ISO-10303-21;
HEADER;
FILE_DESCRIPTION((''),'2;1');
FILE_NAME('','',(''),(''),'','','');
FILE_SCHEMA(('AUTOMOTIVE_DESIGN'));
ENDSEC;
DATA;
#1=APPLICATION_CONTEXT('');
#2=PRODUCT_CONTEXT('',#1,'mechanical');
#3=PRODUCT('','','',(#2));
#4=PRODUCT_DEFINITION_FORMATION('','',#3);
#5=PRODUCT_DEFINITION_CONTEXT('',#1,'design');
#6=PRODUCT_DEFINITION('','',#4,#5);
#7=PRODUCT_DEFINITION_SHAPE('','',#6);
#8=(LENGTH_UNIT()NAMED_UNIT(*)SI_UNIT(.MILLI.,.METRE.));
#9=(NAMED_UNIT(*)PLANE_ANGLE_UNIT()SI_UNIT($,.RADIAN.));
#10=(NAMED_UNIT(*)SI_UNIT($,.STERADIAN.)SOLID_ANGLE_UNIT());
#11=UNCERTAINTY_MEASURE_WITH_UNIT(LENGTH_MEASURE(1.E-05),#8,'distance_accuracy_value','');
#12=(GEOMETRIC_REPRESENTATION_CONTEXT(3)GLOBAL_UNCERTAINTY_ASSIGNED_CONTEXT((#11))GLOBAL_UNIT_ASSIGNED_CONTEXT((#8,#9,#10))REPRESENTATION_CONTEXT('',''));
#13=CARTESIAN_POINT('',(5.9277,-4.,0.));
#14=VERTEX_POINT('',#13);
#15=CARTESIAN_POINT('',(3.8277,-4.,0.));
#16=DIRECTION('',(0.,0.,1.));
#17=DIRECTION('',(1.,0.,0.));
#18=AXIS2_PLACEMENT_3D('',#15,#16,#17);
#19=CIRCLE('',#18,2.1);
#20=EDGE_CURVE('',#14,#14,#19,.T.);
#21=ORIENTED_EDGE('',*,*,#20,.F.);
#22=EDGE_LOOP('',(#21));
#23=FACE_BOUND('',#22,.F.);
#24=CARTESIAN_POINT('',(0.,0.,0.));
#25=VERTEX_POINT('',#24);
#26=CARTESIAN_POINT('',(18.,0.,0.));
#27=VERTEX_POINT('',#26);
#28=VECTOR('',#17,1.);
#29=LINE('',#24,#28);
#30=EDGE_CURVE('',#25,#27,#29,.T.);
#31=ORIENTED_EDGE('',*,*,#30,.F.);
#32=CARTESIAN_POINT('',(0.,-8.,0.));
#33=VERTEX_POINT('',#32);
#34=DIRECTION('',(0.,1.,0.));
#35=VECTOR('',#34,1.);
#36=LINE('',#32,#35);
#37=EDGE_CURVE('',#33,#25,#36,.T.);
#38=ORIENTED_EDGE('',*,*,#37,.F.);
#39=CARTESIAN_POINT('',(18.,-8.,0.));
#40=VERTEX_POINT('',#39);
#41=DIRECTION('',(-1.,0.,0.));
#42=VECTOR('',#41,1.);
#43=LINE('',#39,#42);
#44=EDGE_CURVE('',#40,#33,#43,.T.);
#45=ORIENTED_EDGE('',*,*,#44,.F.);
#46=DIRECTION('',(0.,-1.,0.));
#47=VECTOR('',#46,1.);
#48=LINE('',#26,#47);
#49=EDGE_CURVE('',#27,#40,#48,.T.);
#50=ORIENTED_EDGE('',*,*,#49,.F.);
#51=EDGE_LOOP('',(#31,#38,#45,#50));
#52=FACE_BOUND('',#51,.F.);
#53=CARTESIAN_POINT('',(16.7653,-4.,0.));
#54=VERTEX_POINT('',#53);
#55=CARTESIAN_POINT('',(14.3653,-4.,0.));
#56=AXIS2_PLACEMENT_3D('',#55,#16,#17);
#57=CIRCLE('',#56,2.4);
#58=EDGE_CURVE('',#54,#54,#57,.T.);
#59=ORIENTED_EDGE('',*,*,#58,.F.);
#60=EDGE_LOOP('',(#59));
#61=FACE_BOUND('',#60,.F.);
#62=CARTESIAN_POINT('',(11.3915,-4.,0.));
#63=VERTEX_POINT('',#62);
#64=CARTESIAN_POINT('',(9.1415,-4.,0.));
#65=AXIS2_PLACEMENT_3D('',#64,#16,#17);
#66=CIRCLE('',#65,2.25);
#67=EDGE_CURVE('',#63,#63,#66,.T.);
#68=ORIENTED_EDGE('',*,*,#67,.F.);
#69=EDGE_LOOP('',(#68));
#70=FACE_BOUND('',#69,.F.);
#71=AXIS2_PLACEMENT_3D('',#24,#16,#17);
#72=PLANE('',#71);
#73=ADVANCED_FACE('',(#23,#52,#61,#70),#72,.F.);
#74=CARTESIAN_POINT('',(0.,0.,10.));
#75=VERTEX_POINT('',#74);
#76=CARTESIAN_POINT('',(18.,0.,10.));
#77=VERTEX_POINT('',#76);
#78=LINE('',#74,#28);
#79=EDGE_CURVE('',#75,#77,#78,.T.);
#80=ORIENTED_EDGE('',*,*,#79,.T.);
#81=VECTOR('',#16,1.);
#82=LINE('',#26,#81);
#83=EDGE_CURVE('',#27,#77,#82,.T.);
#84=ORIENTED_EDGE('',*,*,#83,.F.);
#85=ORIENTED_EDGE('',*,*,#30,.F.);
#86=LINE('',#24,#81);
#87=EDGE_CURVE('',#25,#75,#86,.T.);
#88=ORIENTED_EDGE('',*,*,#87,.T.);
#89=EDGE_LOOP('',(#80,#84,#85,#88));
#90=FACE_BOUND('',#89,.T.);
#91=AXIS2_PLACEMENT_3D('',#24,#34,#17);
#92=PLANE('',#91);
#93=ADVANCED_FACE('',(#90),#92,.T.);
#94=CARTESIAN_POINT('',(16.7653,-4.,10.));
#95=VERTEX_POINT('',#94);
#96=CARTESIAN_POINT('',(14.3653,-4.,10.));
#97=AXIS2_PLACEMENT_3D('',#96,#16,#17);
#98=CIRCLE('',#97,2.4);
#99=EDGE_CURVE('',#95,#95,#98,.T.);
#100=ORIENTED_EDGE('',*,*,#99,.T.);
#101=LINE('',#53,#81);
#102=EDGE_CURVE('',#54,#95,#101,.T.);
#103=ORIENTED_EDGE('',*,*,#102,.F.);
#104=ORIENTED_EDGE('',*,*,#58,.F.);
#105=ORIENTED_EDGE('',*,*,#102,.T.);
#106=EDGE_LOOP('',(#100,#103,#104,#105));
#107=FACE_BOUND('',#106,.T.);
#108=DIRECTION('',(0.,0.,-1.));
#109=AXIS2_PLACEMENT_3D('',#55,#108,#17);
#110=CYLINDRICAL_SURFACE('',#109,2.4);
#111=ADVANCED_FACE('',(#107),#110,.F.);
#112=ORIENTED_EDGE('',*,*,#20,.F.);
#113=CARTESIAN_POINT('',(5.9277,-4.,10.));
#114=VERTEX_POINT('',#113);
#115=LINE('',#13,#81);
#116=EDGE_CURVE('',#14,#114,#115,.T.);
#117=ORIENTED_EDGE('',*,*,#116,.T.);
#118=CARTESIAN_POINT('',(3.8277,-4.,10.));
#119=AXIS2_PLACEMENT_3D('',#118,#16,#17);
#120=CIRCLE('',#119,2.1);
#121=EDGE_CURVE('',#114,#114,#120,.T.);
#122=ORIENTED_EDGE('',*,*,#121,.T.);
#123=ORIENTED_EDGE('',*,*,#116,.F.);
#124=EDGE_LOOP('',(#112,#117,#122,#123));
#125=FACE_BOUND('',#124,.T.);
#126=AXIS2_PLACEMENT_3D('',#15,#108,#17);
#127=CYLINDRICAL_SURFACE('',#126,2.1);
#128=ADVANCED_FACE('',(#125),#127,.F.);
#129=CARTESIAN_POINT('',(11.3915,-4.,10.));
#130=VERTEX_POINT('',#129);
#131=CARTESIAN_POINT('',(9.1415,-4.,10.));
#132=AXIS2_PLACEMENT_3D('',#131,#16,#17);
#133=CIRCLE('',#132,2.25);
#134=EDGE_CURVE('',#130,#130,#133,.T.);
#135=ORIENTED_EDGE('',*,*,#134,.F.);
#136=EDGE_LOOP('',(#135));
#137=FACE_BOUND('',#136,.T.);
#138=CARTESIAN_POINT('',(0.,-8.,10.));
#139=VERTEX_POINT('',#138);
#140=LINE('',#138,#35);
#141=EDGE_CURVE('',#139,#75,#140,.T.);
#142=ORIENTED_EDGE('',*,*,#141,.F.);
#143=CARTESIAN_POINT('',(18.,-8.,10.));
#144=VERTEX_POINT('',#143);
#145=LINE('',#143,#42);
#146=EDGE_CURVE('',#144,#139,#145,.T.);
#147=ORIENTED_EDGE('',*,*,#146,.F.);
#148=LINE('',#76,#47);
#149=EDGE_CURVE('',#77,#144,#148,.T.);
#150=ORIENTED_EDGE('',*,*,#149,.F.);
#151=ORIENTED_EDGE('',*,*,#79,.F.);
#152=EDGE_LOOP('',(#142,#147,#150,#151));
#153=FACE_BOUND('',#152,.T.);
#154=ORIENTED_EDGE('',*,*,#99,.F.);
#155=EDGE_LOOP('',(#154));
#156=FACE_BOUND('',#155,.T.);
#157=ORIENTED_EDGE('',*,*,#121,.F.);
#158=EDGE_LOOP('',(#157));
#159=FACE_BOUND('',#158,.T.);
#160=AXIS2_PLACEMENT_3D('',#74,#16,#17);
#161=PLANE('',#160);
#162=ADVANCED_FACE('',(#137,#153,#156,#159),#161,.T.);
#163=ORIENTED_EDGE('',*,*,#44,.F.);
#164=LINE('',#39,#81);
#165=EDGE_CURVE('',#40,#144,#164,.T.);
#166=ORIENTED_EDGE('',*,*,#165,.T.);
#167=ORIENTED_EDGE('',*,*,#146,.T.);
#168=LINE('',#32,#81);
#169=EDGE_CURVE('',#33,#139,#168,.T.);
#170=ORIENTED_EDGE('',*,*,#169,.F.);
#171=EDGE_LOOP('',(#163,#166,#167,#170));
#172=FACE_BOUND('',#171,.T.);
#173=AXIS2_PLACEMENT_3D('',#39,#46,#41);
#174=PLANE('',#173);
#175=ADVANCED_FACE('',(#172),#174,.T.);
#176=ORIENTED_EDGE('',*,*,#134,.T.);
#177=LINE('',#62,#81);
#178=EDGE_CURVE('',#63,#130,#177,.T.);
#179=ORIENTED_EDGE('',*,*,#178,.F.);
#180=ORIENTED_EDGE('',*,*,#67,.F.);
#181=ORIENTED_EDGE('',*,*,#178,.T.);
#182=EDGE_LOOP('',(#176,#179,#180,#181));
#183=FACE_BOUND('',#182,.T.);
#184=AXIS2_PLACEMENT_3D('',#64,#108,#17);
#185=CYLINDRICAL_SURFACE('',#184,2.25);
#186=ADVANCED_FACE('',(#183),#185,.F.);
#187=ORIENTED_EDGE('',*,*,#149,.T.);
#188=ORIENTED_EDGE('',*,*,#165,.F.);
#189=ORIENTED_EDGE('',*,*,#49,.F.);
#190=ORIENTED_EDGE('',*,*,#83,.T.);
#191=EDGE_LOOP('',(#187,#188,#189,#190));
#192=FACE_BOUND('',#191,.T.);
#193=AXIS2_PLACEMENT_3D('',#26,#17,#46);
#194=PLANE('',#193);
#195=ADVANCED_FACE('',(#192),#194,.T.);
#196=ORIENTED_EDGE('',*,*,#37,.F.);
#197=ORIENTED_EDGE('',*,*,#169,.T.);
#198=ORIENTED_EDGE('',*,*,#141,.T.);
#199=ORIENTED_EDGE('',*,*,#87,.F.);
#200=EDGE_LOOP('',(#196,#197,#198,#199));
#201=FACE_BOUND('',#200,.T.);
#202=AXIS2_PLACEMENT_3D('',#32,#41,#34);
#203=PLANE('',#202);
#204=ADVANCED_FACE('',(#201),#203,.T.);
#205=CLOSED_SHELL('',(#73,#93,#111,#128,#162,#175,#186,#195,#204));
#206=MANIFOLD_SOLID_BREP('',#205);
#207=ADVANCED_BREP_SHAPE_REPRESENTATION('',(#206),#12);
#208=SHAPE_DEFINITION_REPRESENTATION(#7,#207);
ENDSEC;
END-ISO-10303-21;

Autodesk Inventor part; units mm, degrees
ref_plane "YZ Plane" through (0, 0, 0) normal (1, 0, 0) x (0, 1, 0)
ref_plane "XZ Plane" through (0, 0, 0) normal (0, 1, 0) x (-1, 0, 0)
ref_plane "XY Plane" through (0, 0, 0) normal (0, 0, 1) x (1, 0, 0)
sketch "Sketch6" plane through (0, 0, 0) normal (0, 0, 1) x (1, 0, 0)
  line L0 (0, 0) -> (18, 0)
  line L1 (18, 0) -> (18, -8)
  line L2 (18, -8) -> (0, -8)
  line L3 (0, -8) -> (0, 0)
  circle A0 centre (3.8277, -4) radius 2.1
  circle A1 centre (9.1415, -4) radius 2.25
  circle A2 centre (14.3653, -4) radius 2.4
  dimension "d11" = 18
  dimension "d12" = 8
  dimension "d13" = 4.2
  dimension "d14" = 4.5
  dimension "d15" = 4.8
extrude "Extrusion4" add sketch "Sketch6" along normal blind 10
properties part number "M5 size test for tapping"
